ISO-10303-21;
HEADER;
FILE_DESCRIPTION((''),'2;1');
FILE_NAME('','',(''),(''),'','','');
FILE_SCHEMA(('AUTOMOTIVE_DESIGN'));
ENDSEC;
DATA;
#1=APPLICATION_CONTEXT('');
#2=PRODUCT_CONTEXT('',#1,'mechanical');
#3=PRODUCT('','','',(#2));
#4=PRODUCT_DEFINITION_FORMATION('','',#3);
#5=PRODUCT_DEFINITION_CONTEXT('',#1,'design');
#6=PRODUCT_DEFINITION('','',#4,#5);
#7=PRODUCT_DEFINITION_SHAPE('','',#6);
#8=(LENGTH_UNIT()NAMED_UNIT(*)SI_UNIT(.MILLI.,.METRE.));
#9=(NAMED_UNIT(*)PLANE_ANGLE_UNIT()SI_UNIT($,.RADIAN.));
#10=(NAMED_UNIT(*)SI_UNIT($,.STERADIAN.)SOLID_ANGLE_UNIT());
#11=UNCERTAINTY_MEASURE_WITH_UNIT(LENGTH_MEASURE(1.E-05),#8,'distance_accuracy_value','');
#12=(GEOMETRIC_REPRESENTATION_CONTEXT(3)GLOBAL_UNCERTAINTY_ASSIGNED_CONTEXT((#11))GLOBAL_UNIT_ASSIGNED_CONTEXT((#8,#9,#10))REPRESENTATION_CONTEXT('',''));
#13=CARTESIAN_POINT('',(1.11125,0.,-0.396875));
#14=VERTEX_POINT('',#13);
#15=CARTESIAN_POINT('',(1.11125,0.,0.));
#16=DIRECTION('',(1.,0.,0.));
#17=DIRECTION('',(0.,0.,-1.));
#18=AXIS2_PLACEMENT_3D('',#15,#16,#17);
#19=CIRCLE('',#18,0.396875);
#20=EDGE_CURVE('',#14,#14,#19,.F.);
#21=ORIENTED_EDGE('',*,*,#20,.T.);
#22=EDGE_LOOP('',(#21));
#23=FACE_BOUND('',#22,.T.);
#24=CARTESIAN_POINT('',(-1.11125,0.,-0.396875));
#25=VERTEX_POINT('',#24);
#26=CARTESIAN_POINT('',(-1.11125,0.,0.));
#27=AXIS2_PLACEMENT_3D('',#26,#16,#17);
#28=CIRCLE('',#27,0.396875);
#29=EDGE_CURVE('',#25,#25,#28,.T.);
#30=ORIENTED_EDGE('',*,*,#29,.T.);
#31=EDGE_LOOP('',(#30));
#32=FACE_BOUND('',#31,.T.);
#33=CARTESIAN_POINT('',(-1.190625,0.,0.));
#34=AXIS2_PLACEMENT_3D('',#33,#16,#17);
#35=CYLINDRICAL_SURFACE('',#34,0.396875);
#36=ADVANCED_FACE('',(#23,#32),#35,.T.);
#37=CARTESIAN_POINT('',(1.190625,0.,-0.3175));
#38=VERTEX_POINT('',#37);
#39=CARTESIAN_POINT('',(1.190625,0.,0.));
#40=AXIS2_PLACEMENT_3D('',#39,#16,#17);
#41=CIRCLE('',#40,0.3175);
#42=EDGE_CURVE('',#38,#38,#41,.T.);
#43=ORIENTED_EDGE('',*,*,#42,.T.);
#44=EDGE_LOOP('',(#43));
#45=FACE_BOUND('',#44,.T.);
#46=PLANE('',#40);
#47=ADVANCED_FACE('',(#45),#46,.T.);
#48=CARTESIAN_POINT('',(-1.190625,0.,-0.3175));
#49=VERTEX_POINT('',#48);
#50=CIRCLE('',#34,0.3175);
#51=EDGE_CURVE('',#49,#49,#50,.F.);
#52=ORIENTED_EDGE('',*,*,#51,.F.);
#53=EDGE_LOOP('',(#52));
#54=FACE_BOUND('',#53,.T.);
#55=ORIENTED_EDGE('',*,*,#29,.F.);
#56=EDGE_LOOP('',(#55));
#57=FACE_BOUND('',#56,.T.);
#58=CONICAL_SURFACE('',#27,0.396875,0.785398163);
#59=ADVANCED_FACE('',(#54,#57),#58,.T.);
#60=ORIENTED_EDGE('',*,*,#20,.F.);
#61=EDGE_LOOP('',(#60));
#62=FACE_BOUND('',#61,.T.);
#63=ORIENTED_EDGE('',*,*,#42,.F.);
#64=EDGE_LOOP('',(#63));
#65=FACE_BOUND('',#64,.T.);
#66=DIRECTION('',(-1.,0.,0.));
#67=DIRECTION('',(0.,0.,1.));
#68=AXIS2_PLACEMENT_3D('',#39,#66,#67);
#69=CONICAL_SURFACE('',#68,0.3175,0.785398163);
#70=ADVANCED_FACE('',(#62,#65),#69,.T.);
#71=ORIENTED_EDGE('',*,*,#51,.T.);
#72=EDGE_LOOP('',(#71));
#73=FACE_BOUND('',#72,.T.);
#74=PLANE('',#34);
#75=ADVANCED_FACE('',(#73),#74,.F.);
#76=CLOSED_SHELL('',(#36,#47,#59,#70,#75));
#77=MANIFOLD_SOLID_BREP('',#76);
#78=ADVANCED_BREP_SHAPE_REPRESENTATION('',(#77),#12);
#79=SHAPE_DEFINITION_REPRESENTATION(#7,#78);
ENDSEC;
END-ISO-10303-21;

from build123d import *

# Parameters (mm, degrees)
SKETCH2_R           = 0.396875
EXTRUDE1_DEPTH      = 1.190625
EXTRUDE1_DEPTH_BACK = 1.190625
CHAMFER1_SIZE       = 0.079375


with BuildPart() as part:
    # Sketch2 → Extrude1 (new body, two sides)
    with BuildSketch(Plane(origin=(0, 0, 0), x_dir=(0, 0, -1), z_dir=(1, 0, 0))) as extrude1_sk:
        Circle(SKETCH2_R)
    extrude(amount=EXTRUDE1_DEPTH)
    extrude(extrude1_sk.sketch, amount=-EXTRUDE1_DEPTH_BACK)

    # Chamfer1
    chamfer1_edges = [part.edges().sort_by_distance(p)[0] for p in [
        (-1.190625, 0, 0.396875),
        (1.190625, 0, 0.396875),
    ]]
    chamfer(chamfer1_edges, length=CHAMFER1_SIZE)


solid = part.part
